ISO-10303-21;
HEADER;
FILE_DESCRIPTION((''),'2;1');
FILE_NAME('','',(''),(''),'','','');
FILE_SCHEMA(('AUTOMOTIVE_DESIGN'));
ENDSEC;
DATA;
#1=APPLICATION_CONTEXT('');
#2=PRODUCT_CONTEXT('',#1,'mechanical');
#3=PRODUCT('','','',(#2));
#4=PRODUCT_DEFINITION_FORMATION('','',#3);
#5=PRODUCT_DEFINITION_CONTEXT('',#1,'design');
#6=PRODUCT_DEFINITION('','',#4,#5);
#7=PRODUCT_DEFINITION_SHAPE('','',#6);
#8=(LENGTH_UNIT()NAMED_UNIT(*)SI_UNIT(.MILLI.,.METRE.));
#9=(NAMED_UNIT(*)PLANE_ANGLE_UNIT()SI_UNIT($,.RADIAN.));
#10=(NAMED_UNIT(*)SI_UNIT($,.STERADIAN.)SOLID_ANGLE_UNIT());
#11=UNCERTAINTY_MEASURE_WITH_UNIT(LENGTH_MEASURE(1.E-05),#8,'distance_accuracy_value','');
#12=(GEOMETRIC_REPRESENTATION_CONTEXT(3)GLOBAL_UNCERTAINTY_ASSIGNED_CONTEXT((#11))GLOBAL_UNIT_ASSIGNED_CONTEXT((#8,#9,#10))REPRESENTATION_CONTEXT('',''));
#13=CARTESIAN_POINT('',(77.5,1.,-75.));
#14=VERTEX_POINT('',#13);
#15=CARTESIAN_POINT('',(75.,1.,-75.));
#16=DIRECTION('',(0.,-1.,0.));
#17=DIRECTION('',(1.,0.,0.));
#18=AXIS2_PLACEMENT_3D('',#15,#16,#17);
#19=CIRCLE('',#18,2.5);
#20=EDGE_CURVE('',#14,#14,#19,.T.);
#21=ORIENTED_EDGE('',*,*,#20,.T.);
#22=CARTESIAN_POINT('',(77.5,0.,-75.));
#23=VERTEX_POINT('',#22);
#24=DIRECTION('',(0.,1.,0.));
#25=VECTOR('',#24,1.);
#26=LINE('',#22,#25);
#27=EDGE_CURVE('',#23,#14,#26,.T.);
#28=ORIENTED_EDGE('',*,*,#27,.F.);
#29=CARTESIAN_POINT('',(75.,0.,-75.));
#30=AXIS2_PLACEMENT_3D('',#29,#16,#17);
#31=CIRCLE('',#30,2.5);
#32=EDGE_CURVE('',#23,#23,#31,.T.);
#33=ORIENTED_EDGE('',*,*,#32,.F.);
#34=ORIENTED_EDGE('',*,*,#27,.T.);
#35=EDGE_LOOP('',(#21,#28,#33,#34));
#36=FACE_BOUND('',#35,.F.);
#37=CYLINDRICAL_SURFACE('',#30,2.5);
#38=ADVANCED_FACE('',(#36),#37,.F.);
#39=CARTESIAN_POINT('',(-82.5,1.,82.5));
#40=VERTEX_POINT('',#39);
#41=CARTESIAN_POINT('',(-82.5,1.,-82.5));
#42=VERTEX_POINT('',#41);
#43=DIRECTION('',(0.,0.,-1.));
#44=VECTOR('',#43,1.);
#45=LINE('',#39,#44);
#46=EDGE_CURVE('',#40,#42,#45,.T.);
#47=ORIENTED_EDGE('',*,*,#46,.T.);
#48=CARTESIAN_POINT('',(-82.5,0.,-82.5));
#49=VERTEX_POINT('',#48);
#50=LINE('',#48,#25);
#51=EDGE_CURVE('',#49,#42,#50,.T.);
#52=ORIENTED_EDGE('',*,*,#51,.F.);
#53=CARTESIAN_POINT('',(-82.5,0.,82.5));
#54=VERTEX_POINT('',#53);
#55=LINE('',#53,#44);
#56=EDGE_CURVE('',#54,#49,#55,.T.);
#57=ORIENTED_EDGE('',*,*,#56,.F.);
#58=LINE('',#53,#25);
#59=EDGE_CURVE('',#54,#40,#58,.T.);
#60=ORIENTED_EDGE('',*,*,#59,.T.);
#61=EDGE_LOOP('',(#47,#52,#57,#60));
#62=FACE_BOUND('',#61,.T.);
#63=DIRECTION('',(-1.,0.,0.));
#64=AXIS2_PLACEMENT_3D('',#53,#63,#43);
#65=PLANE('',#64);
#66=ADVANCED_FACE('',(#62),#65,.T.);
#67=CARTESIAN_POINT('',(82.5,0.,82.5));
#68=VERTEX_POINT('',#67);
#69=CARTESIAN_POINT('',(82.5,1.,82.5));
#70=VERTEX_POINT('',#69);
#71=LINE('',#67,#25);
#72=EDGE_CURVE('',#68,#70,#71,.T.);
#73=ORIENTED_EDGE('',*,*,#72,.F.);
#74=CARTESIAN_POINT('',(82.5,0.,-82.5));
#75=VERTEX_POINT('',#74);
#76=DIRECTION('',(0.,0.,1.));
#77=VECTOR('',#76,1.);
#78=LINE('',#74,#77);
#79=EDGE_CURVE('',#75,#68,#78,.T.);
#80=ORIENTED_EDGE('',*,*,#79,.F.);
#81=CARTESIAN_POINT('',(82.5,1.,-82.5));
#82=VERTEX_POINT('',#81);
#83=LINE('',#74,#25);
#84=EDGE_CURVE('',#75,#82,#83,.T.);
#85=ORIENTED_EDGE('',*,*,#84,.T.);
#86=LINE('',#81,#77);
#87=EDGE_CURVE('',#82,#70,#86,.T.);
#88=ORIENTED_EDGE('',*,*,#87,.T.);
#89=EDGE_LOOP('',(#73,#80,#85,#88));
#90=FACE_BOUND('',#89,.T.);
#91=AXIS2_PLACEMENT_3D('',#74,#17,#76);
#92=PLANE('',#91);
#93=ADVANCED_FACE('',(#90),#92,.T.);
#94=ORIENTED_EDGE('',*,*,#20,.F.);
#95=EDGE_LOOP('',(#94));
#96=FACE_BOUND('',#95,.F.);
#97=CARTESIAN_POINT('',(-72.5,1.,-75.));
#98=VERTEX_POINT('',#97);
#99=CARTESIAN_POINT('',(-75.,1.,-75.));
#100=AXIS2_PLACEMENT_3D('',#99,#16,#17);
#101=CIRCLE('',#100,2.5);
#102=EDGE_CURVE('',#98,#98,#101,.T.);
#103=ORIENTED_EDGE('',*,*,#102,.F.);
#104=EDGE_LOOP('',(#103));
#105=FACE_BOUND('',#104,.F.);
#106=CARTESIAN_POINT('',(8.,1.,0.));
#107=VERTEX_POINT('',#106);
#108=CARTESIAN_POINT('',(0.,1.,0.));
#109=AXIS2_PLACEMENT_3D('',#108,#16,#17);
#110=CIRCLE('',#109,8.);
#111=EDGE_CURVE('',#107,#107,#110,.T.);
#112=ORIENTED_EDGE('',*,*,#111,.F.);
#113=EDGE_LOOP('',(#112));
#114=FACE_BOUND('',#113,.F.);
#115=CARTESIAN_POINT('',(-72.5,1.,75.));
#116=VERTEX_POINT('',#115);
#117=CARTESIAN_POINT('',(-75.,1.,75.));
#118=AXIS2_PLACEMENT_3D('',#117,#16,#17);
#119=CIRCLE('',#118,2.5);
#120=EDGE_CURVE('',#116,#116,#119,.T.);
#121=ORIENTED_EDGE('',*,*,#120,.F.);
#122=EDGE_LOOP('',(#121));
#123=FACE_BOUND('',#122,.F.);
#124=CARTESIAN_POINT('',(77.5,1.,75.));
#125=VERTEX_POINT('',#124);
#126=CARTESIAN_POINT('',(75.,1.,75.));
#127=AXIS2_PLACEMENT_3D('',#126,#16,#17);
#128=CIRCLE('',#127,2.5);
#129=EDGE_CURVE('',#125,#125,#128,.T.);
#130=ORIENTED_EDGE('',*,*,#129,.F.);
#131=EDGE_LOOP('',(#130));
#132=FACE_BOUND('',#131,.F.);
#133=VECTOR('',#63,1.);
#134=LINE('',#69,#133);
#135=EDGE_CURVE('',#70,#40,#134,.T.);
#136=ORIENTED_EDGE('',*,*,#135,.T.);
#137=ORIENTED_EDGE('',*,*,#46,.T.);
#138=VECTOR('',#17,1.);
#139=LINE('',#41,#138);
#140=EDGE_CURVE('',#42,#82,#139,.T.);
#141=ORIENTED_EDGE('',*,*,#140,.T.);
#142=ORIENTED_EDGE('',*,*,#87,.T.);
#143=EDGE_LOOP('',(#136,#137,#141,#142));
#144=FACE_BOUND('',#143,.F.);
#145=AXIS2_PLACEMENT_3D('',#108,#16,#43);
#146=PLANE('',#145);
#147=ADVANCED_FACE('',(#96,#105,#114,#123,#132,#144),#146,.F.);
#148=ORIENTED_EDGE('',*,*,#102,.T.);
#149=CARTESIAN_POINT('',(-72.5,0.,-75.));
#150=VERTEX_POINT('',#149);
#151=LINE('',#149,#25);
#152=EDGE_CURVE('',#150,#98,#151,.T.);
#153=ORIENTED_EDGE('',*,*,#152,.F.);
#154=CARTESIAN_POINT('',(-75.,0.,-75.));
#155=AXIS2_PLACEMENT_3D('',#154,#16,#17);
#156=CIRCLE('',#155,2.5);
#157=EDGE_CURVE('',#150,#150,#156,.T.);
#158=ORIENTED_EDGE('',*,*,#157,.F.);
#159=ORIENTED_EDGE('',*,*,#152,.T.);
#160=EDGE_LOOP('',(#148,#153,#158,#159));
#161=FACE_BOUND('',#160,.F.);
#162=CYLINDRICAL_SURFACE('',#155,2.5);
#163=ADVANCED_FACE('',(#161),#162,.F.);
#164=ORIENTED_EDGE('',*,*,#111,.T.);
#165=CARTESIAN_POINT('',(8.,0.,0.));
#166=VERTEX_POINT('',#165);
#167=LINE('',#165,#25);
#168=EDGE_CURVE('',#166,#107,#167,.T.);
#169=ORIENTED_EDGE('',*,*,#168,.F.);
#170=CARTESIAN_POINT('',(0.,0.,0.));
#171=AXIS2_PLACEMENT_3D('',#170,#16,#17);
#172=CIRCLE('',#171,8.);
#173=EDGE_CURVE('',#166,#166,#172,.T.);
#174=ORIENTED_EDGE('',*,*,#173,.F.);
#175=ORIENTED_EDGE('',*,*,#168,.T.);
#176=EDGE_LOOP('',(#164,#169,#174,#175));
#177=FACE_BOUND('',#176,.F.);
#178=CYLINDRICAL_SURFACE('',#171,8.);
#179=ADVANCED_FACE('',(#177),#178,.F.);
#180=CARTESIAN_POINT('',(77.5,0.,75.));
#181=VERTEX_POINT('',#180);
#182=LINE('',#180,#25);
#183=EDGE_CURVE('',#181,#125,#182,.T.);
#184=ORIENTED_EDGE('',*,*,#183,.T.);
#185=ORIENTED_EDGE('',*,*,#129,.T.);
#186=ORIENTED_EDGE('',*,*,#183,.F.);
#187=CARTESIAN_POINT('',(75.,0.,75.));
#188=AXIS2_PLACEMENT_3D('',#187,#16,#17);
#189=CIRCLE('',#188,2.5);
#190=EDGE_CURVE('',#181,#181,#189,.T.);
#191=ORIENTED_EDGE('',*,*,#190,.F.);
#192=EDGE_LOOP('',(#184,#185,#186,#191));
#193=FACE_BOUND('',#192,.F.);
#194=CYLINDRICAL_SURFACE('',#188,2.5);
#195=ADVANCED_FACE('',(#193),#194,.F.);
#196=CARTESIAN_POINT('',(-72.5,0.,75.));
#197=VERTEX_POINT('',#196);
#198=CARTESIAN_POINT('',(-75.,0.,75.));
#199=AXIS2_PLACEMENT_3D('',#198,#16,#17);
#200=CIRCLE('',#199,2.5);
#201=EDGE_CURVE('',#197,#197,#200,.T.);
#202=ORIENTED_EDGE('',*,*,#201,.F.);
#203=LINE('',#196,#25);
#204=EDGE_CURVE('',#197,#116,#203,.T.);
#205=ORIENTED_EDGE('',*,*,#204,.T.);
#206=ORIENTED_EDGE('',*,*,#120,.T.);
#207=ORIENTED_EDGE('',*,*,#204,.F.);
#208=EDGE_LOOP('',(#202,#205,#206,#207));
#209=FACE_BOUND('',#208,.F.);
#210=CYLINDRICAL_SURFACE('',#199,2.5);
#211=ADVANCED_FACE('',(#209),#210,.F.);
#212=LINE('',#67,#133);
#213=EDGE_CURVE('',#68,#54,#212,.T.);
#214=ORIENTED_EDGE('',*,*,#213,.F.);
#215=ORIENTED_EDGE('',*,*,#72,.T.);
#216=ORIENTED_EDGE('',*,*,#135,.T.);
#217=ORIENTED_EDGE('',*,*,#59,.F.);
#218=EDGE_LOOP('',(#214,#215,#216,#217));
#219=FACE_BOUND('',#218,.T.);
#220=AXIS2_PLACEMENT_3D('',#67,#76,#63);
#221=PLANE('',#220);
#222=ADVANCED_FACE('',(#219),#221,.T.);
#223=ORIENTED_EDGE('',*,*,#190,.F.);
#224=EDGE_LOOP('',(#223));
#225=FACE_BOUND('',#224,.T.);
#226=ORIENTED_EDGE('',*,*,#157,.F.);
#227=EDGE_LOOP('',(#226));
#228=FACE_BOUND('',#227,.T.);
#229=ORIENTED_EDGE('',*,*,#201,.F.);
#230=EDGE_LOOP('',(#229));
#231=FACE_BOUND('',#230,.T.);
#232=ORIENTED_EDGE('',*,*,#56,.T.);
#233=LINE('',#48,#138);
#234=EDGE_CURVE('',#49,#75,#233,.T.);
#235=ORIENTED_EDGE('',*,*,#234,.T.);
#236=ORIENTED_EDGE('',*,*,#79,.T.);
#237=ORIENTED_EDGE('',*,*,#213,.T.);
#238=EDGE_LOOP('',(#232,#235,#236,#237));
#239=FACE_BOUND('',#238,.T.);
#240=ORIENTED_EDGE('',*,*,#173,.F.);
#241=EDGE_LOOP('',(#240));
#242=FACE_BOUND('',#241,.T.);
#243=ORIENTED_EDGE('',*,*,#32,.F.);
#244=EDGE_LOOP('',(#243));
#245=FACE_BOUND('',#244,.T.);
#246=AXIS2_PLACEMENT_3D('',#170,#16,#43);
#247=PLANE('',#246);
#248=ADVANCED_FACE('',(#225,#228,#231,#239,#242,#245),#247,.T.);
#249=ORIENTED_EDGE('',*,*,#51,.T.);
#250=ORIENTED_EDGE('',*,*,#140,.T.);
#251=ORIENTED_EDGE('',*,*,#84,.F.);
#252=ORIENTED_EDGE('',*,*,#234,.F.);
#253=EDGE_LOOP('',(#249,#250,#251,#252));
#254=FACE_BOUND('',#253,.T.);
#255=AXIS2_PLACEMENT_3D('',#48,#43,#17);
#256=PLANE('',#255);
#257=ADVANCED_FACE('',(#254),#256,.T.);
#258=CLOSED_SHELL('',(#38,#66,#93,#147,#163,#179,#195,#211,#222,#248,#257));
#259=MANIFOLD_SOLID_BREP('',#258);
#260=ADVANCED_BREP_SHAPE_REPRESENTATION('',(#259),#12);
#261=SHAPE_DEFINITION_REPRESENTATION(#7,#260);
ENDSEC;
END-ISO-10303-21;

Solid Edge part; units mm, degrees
sketch "Sketch1" plane through (0, 0, 0) normal (0, -1, 0) x (1, 0, 0)
  line L0 (-82.5, -82.5) -> (82.5, -82.5)
  line L1 (82.5, -82.5) -> (82.5, 82.5)
  line L2 (82.5, 82.5) -> (-82.5, 82.5)
  line L3 (-82.5, 82.5) -> (-82.5, -82.5)
  circle A0 centre (0, 0) radius 2
  dimension "D1" = 165
extrude "Protrusion1" add sketch "Sketch1" against normal blind 1
sketch "Sketch2" plane through (0, 0, 0) normal (0, -1, 0) x (1, 0, 0)
  circle A0 centre (0, 0) radius 8
extrude "Cutout1" cut sketch "Sketch2" against normal through all
sketch "Sketch3" plane through (0, 0, 0) normal (0, -1, 0) x (1, 0, 0)
  circle A0 centre (-75, 75) radius 2.5
  circle A1 centre (75, 75) radius 2.5
  circle A2 centre (75, -75) radius 2.5
  circle A3 centre (-75, -75) radius 2.5
  dimension "D1" = 165
extrude "Cutout2" cut sketch "Sketch3" against normal through all
properties material "Aluminum, 1060"
